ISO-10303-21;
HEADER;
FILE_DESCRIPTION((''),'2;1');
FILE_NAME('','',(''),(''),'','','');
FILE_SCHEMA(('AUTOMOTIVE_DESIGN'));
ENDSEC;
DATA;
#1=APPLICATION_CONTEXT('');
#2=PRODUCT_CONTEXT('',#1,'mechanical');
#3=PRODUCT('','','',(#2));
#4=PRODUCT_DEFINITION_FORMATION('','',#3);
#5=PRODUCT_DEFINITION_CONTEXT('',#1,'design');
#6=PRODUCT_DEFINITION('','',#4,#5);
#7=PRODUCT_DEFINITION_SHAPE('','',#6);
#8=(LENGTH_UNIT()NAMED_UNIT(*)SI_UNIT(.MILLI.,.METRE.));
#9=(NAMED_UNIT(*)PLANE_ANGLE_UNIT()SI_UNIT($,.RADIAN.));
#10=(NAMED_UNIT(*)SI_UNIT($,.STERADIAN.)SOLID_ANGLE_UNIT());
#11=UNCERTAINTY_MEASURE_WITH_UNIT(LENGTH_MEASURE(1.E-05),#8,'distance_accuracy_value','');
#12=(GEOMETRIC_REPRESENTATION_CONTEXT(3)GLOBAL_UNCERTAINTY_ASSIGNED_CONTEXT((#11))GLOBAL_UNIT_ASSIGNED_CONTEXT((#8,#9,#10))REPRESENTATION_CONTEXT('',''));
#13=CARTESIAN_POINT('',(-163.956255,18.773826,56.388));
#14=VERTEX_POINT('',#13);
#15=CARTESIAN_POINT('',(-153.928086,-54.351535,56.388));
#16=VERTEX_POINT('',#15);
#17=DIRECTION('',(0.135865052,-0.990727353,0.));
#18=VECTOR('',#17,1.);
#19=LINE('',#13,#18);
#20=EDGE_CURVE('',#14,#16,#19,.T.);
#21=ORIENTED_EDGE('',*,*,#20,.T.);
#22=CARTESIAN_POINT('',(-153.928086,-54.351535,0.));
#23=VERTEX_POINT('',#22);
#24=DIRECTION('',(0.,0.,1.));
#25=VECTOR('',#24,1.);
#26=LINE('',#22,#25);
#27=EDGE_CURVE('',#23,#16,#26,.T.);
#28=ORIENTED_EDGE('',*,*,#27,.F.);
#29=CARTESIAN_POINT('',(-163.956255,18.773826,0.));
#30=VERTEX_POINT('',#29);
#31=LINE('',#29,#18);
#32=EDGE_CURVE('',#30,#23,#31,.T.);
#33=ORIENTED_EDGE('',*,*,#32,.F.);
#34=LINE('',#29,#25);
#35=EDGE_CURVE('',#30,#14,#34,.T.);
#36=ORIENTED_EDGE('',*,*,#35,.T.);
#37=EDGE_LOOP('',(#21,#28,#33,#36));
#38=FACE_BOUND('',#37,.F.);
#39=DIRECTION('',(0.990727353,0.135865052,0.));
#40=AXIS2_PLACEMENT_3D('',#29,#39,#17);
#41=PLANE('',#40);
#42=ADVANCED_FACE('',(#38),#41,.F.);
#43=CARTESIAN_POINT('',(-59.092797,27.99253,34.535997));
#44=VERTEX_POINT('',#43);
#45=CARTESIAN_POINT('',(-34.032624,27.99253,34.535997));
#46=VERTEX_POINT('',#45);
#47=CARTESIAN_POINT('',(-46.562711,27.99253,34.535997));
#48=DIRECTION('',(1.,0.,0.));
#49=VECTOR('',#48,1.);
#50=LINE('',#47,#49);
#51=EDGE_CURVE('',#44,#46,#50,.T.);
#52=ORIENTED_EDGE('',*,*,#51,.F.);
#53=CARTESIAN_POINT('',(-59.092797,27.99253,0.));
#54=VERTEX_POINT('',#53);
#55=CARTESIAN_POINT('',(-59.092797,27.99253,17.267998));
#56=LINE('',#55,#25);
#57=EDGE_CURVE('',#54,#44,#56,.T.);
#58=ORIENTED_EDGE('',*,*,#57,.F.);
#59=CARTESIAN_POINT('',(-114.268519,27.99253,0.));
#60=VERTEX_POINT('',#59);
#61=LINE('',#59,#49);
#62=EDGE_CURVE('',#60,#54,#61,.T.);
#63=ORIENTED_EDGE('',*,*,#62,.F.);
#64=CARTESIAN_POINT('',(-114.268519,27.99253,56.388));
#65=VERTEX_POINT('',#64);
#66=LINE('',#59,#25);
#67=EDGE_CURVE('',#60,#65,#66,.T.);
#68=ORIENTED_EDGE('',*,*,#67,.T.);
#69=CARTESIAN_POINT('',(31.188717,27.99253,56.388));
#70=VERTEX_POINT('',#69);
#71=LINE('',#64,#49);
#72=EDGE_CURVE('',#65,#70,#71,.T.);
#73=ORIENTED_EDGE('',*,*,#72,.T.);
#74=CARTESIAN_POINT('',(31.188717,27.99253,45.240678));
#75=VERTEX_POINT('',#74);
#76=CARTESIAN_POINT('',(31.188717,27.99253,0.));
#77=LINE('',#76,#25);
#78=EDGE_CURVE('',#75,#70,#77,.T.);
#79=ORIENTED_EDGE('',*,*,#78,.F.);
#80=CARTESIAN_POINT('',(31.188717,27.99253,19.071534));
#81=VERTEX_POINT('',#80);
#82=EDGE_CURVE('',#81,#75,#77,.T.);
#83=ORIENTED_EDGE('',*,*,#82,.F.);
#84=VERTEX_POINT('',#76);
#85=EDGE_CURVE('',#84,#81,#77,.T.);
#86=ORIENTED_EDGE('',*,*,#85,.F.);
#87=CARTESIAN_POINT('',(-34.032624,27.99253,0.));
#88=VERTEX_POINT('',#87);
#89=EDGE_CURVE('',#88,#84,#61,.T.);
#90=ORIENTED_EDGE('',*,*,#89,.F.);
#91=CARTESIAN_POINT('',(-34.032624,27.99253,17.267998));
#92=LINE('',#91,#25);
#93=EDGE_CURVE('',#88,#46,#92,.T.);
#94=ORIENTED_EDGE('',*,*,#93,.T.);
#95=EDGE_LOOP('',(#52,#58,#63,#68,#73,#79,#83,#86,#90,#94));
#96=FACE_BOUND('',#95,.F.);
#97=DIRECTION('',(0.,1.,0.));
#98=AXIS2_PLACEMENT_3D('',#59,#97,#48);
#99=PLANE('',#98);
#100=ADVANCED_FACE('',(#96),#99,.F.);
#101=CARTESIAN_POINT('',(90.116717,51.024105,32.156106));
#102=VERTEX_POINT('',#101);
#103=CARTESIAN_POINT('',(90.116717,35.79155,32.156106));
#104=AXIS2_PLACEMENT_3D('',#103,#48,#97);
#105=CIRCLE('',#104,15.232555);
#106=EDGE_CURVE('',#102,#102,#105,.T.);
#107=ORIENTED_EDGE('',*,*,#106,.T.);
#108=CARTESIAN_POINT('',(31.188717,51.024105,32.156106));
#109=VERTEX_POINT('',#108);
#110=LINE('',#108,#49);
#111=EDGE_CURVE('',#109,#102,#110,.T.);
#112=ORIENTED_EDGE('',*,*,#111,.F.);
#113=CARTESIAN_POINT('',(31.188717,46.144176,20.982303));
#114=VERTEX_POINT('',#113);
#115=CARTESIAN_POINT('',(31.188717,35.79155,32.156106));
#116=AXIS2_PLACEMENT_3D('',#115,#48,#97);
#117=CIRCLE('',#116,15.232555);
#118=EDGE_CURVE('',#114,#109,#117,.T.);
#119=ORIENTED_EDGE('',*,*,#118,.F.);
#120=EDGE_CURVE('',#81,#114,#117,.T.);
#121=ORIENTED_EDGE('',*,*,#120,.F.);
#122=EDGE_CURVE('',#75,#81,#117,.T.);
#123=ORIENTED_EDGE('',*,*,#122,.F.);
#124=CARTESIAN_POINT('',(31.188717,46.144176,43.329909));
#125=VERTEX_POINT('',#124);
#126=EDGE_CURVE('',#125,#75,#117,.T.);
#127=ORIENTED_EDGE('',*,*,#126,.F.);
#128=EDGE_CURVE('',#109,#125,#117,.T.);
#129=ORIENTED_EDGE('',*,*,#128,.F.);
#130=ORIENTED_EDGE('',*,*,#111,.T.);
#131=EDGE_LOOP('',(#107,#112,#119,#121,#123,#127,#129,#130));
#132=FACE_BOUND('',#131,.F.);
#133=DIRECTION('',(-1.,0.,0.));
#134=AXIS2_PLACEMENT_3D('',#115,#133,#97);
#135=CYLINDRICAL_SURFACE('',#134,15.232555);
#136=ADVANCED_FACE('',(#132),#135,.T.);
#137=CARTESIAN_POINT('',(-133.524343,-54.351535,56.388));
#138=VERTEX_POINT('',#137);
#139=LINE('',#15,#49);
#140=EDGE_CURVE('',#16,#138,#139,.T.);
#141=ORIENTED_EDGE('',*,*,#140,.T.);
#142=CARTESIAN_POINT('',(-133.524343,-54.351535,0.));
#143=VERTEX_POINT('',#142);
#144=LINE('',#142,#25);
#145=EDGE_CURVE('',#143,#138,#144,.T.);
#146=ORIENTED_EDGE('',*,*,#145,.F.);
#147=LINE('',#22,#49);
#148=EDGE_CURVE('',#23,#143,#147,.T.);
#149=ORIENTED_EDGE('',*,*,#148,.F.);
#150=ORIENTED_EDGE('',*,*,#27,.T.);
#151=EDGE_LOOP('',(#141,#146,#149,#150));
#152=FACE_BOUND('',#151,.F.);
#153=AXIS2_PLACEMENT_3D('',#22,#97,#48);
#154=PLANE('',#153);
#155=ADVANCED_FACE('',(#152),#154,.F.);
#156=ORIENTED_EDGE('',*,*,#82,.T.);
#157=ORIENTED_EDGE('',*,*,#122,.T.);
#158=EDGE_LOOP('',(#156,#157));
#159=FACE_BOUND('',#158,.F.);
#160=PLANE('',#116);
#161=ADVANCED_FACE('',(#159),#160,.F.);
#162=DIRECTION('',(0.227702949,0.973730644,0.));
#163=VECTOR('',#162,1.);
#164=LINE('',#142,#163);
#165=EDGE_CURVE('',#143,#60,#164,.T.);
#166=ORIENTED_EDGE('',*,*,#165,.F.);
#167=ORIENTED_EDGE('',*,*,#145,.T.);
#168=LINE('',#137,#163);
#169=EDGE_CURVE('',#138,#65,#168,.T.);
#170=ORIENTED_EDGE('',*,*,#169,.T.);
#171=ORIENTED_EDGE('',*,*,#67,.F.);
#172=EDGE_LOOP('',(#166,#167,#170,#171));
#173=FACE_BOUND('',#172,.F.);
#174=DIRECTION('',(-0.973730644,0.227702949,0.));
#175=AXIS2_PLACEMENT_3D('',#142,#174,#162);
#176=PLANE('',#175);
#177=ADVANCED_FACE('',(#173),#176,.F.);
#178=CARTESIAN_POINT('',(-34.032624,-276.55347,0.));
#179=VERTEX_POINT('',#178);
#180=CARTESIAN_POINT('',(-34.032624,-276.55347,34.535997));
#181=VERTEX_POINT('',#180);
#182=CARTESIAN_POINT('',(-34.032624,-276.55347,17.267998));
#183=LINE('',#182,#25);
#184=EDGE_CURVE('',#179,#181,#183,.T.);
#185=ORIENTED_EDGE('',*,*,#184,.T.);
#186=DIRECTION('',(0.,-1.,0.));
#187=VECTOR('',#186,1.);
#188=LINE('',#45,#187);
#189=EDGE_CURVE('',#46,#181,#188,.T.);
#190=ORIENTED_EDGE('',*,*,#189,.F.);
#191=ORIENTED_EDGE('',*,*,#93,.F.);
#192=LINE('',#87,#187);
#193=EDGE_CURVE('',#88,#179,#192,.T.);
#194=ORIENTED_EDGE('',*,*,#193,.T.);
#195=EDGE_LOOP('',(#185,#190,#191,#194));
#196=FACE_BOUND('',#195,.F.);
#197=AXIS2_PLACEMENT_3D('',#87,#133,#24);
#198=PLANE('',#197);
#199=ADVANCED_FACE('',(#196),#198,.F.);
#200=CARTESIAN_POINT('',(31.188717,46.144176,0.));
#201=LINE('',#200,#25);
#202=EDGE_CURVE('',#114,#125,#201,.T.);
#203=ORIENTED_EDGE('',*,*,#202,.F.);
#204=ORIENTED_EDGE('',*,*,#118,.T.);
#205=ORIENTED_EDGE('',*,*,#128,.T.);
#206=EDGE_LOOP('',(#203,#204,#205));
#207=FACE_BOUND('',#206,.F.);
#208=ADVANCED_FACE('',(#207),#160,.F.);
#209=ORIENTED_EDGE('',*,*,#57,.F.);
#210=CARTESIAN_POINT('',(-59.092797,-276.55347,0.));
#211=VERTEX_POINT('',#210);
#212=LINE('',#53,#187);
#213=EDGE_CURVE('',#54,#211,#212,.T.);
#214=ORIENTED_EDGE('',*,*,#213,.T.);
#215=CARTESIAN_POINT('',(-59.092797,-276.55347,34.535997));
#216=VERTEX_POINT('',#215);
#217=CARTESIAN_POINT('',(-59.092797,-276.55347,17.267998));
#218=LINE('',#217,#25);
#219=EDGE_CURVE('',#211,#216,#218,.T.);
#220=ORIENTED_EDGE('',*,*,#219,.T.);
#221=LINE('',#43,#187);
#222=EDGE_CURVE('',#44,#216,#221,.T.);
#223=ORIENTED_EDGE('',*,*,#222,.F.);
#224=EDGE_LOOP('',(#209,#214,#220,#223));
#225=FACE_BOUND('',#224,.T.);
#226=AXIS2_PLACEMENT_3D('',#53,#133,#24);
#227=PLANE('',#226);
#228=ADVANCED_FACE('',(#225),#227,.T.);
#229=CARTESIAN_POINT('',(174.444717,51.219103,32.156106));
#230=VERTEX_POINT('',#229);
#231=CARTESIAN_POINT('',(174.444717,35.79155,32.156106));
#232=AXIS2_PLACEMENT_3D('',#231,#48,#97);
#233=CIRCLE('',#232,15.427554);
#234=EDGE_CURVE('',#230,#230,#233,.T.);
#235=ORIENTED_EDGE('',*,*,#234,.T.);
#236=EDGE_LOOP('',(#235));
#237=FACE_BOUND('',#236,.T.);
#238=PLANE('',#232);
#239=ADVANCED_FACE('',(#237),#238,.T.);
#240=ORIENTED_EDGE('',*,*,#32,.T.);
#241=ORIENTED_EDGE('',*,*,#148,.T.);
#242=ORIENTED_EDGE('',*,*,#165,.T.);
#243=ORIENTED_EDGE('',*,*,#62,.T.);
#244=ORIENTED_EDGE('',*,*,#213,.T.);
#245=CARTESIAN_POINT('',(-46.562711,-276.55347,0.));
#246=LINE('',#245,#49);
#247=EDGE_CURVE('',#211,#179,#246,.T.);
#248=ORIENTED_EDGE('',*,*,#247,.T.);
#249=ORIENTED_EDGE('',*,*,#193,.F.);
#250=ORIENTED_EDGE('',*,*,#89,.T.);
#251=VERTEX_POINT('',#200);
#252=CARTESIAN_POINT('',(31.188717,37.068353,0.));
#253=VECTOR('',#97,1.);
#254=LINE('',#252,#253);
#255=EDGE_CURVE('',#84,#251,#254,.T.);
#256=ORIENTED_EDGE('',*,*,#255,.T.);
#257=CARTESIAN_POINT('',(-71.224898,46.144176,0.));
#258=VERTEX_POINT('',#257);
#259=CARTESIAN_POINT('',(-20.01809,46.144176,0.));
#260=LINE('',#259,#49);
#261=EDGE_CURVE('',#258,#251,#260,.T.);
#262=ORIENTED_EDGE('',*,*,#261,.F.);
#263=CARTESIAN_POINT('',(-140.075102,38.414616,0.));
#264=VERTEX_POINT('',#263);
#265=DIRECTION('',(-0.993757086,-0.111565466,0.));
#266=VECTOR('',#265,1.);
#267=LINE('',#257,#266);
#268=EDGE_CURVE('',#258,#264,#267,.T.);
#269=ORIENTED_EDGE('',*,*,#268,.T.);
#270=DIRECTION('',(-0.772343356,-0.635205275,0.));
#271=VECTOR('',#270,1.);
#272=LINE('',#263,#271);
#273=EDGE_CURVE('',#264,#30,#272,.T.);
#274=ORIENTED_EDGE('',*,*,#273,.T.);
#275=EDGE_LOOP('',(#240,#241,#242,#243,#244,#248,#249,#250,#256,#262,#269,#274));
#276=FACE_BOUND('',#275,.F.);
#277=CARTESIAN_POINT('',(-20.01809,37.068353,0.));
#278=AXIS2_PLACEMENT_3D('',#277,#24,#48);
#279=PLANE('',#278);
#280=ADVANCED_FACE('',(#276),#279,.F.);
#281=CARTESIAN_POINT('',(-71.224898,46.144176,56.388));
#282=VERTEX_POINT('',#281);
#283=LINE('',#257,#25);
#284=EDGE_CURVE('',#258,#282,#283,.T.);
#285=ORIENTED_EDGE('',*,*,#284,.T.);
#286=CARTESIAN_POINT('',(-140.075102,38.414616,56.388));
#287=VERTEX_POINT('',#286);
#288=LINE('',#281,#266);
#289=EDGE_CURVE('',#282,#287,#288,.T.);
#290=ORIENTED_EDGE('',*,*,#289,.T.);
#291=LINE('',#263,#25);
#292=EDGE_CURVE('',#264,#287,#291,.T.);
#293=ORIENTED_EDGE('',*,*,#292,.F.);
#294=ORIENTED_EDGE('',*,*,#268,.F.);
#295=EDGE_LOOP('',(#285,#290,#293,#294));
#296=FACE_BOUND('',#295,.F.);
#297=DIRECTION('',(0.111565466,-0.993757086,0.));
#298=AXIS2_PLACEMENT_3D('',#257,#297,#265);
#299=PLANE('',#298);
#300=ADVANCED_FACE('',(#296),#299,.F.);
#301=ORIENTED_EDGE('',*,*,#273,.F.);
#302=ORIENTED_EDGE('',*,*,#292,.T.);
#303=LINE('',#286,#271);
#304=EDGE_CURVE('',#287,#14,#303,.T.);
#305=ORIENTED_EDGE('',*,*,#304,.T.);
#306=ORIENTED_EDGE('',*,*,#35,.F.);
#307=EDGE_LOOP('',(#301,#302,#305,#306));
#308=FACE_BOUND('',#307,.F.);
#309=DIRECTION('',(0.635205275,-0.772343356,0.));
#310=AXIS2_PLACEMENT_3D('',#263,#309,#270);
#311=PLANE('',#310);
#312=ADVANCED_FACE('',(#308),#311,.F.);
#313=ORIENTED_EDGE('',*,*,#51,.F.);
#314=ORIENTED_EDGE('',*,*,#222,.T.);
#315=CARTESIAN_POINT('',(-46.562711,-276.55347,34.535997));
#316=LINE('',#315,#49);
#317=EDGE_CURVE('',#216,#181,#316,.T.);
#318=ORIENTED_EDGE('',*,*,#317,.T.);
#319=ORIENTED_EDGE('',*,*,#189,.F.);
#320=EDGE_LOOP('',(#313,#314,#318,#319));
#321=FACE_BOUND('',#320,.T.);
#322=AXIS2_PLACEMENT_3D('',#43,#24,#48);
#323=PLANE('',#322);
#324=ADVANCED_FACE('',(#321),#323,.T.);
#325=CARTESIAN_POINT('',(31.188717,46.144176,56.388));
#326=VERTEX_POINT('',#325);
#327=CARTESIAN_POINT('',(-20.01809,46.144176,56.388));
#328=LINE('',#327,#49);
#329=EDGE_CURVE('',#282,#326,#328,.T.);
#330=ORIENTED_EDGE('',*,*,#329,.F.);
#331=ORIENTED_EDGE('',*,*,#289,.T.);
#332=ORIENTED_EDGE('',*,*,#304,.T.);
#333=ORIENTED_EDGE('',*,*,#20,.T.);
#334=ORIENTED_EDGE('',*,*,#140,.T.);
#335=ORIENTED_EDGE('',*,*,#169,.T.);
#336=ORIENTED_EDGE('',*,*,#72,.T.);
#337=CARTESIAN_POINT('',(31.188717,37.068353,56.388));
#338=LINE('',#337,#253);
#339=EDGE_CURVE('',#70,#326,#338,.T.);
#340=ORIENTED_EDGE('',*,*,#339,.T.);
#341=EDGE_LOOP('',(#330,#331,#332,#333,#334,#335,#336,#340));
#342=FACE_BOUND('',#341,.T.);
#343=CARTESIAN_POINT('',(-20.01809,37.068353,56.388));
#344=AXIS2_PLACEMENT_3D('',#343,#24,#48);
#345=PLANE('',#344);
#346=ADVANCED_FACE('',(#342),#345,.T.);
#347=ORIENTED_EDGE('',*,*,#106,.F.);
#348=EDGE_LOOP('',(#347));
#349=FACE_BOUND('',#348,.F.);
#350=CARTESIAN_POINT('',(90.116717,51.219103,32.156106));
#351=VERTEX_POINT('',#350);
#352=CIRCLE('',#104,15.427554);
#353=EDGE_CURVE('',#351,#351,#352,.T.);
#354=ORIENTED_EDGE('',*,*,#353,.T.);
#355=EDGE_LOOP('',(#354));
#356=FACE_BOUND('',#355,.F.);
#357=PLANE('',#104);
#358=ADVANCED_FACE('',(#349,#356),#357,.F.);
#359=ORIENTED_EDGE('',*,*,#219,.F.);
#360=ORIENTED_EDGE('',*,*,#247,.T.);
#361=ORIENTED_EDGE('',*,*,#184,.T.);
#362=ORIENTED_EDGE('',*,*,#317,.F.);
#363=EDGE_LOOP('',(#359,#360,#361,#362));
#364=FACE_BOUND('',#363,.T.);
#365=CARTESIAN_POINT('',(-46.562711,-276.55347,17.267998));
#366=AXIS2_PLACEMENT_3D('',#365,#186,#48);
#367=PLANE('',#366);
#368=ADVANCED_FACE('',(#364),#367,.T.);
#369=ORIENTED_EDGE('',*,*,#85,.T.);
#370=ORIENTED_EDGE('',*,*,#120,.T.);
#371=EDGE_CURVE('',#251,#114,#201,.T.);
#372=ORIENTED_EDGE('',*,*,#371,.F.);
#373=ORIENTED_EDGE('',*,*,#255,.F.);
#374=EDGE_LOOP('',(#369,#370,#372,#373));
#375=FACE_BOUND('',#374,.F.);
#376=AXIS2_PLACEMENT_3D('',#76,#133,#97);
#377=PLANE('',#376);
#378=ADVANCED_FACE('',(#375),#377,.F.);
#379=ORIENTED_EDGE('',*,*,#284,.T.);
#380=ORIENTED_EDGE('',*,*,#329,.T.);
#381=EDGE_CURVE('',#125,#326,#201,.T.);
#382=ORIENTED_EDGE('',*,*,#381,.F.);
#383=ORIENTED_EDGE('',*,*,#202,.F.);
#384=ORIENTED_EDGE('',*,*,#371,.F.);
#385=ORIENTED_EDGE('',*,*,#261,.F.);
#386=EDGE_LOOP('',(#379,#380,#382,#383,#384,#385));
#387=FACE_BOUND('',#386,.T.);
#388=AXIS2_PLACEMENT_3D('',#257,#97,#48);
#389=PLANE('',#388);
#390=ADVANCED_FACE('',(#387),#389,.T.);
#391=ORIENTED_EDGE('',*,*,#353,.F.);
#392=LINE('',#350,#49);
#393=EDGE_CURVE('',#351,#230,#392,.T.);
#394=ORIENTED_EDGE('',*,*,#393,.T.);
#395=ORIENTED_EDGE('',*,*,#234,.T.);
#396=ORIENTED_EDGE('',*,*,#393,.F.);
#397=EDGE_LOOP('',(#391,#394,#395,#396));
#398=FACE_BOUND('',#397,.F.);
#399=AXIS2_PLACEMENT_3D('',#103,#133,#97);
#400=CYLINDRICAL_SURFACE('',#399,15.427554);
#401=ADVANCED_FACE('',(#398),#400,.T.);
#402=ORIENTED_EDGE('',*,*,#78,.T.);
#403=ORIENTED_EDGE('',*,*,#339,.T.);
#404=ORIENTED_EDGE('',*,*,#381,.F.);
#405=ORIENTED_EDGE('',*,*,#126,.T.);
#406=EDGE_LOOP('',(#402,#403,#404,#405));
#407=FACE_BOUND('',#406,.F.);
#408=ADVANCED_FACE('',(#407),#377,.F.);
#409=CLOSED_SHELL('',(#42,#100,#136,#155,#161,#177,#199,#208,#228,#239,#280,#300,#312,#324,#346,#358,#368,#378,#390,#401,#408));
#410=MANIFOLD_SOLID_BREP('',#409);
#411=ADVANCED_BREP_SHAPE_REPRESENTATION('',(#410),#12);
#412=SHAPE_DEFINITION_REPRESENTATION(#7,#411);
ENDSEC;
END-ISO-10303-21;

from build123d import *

# Parameters (mm, degrees)
F0_W     = 102.4136152118
F0_H     = 18.15164648
F1_DEPTH = 56.388
F2_W     = 25.0601731241
F2_H     = 34.5359966159
F3_DEPTH = 304.546
F4_R     = 15.2325553806
F5_DEPTH = 58.928
F6_R     = 15.4275535789
F7_DEPTH = 84.328


with BuildPart() as f1:
    # F0 (on Top) → F1 (new body)
    with BuildSketch(Plane.XY):
        with Locations((-20.018090494, 37.0683530346)):
            Rectangle(F0_W, F0_H)
        Polygon((-71.2248980999, 27.9925297946), (-71.2248980999, 46.1441762745), (-140.0751024485, 38.4146161377), (-163.9562547207, 18.7738258392), (-153.9280861616, -54.3515346944), (-133.5243433714, -54.3515346944), (-114.2685189843, 27.9925297946), align=None)
    extrude(amount=F1_DEPTH)

    # F2 (on face) → F3 (join)
    with BuildSketch(Plane.XZ.offset(-27.9925297946)):
        with Locations((-46.5627107769, 17.2679983079)):
            Rectangle(F2_W, F2_H)
    extrude(amount=F3_DEPTH)

    # F4 (on face) → F5 (join)
    with BuildSketch(Plane.YZ.offset(31.1887171119)):
        with Locations((35.7915498316, 32.1561060846)):
            Circle(F4_R)
    extrude(amount=F5_DEPTH)

    # F6 (on face) → F7 (join)
    with BuildSketch(Plane.YZ.offset(90.1167171119)):
        with Locations((35.7915498316, 32.1561060846)):
            Circle(F6_R)
    extrude(amount=F7_DEPTH)


solid = f1.part
